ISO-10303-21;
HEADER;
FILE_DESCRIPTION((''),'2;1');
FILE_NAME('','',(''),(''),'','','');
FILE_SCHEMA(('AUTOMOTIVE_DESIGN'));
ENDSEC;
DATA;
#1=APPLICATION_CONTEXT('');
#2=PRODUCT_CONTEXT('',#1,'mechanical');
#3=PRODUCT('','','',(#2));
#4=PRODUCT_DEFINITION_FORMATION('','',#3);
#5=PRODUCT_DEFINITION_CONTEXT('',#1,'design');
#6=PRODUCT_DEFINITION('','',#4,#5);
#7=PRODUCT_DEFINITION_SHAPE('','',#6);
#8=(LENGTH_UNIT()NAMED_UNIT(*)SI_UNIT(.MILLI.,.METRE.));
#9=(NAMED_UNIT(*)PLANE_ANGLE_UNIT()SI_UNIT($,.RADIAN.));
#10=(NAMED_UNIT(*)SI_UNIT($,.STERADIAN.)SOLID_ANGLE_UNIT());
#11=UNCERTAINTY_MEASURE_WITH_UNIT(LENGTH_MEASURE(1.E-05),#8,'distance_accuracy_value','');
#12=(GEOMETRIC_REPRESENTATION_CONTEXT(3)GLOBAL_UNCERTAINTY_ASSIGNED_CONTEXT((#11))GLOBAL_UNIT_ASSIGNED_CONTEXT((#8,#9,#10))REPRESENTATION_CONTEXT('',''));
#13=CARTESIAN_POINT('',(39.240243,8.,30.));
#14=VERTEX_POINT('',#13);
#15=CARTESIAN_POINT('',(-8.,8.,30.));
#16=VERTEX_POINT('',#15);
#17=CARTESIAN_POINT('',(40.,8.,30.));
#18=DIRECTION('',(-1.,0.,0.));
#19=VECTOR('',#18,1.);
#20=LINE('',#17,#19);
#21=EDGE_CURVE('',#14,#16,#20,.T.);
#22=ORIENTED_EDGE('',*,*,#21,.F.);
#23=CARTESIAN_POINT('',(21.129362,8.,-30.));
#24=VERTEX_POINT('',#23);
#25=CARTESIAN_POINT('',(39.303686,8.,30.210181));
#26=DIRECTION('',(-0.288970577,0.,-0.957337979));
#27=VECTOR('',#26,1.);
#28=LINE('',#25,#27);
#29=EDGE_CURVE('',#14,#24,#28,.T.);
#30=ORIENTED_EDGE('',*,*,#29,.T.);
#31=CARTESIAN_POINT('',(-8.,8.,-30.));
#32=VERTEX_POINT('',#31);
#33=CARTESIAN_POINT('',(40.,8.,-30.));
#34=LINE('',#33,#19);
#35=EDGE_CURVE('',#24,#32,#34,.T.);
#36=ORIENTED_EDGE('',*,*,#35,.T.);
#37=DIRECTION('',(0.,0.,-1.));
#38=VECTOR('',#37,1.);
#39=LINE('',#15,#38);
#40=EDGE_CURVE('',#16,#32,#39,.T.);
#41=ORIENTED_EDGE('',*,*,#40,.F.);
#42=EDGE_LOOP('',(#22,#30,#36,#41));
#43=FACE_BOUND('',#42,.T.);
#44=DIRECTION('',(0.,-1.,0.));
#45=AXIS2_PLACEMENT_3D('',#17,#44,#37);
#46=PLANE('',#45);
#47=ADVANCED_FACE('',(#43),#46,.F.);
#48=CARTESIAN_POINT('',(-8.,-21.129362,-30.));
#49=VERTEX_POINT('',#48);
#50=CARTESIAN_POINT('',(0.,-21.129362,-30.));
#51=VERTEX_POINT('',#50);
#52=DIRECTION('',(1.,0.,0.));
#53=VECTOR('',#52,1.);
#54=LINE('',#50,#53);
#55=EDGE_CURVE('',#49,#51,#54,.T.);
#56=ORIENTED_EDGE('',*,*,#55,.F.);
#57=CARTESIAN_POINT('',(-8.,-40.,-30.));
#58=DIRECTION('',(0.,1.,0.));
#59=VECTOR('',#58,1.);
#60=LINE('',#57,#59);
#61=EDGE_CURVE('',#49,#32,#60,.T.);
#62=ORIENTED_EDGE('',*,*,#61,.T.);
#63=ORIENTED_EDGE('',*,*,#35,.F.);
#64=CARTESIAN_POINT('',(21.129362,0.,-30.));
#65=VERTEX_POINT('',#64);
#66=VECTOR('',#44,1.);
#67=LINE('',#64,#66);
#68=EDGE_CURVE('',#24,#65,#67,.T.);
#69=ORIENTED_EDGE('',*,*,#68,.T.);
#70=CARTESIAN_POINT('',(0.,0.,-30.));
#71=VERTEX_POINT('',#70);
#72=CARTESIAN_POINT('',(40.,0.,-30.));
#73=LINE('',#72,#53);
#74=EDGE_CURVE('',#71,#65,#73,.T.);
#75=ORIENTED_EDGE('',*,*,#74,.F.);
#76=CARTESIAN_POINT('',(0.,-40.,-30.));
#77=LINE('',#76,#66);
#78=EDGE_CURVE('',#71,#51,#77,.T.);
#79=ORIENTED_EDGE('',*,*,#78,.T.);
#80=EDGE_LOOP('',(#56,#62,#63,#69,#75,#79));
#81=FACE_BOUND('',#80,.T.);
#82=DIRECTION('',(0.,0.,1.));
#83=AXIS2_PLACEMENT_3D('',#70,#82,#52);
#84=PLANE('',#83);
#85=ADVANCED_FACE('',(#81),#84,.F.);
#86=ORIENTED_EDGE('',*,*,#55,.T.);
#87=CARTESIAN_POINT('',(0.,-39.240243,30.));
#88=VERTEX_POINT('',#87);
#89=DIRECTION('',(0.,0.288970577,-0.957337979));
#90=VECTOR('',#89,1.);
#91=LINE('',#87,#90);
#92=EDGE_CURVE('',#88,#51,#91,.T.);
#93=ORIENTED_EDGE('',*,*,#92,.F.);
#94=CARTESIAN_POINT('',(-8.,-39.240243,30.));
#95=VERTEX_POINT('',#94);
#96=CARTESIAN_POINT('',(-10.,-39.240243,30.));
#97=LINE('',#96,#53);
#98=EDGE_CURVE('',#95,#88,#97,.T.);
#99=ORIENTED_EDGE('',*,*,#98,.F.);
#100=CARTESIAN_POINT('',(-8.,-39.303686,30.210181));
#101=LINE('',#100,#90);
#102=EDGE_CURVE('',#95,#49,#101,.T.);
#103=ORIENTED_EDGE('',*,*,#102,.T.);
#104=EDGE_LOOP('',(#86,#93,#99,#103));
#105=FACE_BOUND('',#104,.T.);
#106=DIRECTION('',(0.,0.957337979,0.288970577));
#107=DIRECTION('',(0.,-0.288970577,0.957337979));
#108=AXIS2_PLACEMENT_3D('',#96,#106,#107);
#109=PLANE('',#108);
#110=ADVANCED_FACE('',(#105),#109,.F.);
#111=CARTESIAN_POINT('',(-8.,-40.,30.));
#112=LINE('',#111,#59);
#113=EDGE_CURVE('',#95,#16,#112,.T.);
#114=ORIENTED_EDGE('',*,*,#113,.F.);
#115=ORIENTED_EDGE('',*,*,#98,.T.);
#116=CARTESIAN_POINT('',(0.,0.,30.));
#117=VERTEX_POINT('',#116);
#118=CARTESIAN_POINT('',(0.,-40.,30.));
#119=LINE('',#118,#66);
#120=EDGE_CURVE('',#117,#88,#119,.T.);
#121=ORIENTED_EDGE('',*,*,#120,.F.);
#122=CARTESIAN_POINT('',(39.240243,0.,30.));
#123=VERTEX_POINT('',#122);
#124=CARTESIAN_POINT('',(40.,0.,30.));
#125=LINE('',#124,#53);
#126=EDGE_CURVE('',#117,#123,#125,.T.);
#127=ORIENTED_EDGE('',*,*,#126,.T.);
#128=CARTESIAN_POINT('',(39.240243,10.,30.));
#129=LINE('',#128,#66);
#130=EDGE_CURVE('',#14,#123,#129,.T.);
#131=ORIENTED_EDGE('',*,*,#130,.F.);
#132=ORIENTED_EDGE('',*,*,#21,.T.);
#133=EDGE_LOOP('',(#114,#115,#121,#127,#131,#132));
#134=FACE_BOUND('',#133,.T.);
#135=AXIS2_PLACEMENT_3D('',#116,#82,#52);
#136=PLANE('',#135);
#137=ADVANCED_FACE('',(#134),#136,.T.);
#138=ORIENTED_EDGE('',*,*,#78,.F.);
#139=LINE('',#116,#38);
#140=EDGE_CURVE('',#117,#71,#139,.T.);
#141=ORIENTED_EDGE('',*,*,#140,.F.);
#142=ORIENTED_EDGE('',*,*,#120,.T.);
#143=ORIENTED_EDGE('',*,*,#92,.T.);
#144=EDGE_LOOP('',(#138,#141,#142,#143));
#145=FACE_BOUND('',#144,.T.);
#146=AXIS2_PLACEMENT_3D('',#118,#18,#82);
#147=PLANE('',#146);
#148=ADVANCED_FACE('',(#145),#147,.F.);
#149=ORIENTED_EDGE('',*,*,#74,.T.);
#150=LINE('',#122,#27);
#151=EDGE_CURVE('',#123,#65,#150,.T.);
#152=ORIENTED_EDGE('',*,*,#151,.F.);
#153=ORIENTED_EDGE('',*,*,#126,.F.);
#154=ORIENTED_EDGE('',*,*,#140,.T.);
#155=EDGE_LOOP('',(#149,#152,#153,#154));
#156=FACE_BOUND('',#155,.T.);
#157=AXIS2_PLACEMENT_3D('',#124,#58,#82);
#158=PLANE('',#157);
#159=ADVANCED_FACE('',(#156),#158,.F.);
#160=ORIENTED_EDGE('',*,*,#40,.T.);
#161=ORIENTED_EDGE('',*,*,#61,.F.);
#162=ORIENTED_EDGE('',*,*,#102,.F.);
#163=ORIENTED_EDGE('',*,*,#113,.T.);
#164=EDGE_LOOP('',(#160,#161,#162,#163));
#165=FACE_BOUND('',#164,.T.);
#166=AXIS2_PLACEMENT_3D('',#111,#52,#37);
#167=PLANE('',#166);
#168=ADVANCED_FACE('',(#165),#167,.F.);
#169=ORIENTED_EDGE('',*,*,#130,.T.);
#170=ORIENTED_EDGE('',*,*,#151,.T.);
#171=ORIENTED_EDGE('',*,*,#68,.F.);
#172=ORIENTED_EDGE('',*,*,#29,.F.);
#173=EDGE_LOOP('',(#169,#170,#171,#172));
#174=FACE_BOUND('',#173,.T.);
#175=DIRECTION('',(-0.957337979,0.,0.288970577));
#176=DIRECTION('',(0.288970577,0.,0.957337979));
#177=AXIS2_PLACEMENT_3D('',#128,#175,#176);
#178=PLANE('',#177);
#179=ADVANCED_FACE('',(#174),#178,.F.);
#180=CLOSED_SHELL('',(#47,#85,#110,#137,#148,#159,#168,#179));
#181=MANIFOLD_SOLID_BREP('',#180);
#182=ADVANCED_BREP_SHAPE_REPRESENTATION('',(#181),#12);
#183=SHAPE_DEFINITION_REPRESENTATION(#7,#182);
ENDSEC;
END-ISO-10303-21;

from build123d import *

# Parameters (mm, degrees)
BOSS_EXTRUDE1_DEPTH = 30
CUT_EXTRUDE1_DEPTH  = 10
CUT_EXTRUDE2_DEPTH  = 83.096264686


with BuildPart() as part:
    # Sketch1 → Boss-Extrude1 (new, symmetric)
    with BuildSketch(Plane.XY):
        Polygon((40, 0), (0, 0), (0, -40), (-8, -40), (-8, 8), (40, 8), align=None)
    extrude(amount=BOSS_EXTRUDE1_DEPTH, both=True)

    # Sketch2 → Cut-Extrude1 (cut)
    with BuildSketch(Plane.XZ):
        Polygon((39.240243059, 30), (21.129361647, -30), (40, -30), (40, 30), align=None)
    extrude(amount=-CUT_EXTRUDE1_DEPTH, mode=Mode.SUBTRACT)

    # Sketch4 → Cut-Extrude2 (cut, through all)
    with BuildSketch(Plane(origin=(0, 0, -30), x_dir=(-1, 0, 0), z_dir=(0, 0, -1))):
        Polygon((0, 0), (8, 8), (8, -40), (0, -40), align=None)
    extrude(amount=-CUT_EXTRUDE2_DEPTH, mode=Mode.SUBTRACT)

    # Mirror1: part across plane


with BuildPart() as part_1:
    add(part.part)
    add(part.part.mirror(Plane(origin=(0, 0, 30), x_dir=(0, 0, 1), z_dir=(0.7071067811865476, 0.7071067811865476, 0))))


solid = part_1.part
